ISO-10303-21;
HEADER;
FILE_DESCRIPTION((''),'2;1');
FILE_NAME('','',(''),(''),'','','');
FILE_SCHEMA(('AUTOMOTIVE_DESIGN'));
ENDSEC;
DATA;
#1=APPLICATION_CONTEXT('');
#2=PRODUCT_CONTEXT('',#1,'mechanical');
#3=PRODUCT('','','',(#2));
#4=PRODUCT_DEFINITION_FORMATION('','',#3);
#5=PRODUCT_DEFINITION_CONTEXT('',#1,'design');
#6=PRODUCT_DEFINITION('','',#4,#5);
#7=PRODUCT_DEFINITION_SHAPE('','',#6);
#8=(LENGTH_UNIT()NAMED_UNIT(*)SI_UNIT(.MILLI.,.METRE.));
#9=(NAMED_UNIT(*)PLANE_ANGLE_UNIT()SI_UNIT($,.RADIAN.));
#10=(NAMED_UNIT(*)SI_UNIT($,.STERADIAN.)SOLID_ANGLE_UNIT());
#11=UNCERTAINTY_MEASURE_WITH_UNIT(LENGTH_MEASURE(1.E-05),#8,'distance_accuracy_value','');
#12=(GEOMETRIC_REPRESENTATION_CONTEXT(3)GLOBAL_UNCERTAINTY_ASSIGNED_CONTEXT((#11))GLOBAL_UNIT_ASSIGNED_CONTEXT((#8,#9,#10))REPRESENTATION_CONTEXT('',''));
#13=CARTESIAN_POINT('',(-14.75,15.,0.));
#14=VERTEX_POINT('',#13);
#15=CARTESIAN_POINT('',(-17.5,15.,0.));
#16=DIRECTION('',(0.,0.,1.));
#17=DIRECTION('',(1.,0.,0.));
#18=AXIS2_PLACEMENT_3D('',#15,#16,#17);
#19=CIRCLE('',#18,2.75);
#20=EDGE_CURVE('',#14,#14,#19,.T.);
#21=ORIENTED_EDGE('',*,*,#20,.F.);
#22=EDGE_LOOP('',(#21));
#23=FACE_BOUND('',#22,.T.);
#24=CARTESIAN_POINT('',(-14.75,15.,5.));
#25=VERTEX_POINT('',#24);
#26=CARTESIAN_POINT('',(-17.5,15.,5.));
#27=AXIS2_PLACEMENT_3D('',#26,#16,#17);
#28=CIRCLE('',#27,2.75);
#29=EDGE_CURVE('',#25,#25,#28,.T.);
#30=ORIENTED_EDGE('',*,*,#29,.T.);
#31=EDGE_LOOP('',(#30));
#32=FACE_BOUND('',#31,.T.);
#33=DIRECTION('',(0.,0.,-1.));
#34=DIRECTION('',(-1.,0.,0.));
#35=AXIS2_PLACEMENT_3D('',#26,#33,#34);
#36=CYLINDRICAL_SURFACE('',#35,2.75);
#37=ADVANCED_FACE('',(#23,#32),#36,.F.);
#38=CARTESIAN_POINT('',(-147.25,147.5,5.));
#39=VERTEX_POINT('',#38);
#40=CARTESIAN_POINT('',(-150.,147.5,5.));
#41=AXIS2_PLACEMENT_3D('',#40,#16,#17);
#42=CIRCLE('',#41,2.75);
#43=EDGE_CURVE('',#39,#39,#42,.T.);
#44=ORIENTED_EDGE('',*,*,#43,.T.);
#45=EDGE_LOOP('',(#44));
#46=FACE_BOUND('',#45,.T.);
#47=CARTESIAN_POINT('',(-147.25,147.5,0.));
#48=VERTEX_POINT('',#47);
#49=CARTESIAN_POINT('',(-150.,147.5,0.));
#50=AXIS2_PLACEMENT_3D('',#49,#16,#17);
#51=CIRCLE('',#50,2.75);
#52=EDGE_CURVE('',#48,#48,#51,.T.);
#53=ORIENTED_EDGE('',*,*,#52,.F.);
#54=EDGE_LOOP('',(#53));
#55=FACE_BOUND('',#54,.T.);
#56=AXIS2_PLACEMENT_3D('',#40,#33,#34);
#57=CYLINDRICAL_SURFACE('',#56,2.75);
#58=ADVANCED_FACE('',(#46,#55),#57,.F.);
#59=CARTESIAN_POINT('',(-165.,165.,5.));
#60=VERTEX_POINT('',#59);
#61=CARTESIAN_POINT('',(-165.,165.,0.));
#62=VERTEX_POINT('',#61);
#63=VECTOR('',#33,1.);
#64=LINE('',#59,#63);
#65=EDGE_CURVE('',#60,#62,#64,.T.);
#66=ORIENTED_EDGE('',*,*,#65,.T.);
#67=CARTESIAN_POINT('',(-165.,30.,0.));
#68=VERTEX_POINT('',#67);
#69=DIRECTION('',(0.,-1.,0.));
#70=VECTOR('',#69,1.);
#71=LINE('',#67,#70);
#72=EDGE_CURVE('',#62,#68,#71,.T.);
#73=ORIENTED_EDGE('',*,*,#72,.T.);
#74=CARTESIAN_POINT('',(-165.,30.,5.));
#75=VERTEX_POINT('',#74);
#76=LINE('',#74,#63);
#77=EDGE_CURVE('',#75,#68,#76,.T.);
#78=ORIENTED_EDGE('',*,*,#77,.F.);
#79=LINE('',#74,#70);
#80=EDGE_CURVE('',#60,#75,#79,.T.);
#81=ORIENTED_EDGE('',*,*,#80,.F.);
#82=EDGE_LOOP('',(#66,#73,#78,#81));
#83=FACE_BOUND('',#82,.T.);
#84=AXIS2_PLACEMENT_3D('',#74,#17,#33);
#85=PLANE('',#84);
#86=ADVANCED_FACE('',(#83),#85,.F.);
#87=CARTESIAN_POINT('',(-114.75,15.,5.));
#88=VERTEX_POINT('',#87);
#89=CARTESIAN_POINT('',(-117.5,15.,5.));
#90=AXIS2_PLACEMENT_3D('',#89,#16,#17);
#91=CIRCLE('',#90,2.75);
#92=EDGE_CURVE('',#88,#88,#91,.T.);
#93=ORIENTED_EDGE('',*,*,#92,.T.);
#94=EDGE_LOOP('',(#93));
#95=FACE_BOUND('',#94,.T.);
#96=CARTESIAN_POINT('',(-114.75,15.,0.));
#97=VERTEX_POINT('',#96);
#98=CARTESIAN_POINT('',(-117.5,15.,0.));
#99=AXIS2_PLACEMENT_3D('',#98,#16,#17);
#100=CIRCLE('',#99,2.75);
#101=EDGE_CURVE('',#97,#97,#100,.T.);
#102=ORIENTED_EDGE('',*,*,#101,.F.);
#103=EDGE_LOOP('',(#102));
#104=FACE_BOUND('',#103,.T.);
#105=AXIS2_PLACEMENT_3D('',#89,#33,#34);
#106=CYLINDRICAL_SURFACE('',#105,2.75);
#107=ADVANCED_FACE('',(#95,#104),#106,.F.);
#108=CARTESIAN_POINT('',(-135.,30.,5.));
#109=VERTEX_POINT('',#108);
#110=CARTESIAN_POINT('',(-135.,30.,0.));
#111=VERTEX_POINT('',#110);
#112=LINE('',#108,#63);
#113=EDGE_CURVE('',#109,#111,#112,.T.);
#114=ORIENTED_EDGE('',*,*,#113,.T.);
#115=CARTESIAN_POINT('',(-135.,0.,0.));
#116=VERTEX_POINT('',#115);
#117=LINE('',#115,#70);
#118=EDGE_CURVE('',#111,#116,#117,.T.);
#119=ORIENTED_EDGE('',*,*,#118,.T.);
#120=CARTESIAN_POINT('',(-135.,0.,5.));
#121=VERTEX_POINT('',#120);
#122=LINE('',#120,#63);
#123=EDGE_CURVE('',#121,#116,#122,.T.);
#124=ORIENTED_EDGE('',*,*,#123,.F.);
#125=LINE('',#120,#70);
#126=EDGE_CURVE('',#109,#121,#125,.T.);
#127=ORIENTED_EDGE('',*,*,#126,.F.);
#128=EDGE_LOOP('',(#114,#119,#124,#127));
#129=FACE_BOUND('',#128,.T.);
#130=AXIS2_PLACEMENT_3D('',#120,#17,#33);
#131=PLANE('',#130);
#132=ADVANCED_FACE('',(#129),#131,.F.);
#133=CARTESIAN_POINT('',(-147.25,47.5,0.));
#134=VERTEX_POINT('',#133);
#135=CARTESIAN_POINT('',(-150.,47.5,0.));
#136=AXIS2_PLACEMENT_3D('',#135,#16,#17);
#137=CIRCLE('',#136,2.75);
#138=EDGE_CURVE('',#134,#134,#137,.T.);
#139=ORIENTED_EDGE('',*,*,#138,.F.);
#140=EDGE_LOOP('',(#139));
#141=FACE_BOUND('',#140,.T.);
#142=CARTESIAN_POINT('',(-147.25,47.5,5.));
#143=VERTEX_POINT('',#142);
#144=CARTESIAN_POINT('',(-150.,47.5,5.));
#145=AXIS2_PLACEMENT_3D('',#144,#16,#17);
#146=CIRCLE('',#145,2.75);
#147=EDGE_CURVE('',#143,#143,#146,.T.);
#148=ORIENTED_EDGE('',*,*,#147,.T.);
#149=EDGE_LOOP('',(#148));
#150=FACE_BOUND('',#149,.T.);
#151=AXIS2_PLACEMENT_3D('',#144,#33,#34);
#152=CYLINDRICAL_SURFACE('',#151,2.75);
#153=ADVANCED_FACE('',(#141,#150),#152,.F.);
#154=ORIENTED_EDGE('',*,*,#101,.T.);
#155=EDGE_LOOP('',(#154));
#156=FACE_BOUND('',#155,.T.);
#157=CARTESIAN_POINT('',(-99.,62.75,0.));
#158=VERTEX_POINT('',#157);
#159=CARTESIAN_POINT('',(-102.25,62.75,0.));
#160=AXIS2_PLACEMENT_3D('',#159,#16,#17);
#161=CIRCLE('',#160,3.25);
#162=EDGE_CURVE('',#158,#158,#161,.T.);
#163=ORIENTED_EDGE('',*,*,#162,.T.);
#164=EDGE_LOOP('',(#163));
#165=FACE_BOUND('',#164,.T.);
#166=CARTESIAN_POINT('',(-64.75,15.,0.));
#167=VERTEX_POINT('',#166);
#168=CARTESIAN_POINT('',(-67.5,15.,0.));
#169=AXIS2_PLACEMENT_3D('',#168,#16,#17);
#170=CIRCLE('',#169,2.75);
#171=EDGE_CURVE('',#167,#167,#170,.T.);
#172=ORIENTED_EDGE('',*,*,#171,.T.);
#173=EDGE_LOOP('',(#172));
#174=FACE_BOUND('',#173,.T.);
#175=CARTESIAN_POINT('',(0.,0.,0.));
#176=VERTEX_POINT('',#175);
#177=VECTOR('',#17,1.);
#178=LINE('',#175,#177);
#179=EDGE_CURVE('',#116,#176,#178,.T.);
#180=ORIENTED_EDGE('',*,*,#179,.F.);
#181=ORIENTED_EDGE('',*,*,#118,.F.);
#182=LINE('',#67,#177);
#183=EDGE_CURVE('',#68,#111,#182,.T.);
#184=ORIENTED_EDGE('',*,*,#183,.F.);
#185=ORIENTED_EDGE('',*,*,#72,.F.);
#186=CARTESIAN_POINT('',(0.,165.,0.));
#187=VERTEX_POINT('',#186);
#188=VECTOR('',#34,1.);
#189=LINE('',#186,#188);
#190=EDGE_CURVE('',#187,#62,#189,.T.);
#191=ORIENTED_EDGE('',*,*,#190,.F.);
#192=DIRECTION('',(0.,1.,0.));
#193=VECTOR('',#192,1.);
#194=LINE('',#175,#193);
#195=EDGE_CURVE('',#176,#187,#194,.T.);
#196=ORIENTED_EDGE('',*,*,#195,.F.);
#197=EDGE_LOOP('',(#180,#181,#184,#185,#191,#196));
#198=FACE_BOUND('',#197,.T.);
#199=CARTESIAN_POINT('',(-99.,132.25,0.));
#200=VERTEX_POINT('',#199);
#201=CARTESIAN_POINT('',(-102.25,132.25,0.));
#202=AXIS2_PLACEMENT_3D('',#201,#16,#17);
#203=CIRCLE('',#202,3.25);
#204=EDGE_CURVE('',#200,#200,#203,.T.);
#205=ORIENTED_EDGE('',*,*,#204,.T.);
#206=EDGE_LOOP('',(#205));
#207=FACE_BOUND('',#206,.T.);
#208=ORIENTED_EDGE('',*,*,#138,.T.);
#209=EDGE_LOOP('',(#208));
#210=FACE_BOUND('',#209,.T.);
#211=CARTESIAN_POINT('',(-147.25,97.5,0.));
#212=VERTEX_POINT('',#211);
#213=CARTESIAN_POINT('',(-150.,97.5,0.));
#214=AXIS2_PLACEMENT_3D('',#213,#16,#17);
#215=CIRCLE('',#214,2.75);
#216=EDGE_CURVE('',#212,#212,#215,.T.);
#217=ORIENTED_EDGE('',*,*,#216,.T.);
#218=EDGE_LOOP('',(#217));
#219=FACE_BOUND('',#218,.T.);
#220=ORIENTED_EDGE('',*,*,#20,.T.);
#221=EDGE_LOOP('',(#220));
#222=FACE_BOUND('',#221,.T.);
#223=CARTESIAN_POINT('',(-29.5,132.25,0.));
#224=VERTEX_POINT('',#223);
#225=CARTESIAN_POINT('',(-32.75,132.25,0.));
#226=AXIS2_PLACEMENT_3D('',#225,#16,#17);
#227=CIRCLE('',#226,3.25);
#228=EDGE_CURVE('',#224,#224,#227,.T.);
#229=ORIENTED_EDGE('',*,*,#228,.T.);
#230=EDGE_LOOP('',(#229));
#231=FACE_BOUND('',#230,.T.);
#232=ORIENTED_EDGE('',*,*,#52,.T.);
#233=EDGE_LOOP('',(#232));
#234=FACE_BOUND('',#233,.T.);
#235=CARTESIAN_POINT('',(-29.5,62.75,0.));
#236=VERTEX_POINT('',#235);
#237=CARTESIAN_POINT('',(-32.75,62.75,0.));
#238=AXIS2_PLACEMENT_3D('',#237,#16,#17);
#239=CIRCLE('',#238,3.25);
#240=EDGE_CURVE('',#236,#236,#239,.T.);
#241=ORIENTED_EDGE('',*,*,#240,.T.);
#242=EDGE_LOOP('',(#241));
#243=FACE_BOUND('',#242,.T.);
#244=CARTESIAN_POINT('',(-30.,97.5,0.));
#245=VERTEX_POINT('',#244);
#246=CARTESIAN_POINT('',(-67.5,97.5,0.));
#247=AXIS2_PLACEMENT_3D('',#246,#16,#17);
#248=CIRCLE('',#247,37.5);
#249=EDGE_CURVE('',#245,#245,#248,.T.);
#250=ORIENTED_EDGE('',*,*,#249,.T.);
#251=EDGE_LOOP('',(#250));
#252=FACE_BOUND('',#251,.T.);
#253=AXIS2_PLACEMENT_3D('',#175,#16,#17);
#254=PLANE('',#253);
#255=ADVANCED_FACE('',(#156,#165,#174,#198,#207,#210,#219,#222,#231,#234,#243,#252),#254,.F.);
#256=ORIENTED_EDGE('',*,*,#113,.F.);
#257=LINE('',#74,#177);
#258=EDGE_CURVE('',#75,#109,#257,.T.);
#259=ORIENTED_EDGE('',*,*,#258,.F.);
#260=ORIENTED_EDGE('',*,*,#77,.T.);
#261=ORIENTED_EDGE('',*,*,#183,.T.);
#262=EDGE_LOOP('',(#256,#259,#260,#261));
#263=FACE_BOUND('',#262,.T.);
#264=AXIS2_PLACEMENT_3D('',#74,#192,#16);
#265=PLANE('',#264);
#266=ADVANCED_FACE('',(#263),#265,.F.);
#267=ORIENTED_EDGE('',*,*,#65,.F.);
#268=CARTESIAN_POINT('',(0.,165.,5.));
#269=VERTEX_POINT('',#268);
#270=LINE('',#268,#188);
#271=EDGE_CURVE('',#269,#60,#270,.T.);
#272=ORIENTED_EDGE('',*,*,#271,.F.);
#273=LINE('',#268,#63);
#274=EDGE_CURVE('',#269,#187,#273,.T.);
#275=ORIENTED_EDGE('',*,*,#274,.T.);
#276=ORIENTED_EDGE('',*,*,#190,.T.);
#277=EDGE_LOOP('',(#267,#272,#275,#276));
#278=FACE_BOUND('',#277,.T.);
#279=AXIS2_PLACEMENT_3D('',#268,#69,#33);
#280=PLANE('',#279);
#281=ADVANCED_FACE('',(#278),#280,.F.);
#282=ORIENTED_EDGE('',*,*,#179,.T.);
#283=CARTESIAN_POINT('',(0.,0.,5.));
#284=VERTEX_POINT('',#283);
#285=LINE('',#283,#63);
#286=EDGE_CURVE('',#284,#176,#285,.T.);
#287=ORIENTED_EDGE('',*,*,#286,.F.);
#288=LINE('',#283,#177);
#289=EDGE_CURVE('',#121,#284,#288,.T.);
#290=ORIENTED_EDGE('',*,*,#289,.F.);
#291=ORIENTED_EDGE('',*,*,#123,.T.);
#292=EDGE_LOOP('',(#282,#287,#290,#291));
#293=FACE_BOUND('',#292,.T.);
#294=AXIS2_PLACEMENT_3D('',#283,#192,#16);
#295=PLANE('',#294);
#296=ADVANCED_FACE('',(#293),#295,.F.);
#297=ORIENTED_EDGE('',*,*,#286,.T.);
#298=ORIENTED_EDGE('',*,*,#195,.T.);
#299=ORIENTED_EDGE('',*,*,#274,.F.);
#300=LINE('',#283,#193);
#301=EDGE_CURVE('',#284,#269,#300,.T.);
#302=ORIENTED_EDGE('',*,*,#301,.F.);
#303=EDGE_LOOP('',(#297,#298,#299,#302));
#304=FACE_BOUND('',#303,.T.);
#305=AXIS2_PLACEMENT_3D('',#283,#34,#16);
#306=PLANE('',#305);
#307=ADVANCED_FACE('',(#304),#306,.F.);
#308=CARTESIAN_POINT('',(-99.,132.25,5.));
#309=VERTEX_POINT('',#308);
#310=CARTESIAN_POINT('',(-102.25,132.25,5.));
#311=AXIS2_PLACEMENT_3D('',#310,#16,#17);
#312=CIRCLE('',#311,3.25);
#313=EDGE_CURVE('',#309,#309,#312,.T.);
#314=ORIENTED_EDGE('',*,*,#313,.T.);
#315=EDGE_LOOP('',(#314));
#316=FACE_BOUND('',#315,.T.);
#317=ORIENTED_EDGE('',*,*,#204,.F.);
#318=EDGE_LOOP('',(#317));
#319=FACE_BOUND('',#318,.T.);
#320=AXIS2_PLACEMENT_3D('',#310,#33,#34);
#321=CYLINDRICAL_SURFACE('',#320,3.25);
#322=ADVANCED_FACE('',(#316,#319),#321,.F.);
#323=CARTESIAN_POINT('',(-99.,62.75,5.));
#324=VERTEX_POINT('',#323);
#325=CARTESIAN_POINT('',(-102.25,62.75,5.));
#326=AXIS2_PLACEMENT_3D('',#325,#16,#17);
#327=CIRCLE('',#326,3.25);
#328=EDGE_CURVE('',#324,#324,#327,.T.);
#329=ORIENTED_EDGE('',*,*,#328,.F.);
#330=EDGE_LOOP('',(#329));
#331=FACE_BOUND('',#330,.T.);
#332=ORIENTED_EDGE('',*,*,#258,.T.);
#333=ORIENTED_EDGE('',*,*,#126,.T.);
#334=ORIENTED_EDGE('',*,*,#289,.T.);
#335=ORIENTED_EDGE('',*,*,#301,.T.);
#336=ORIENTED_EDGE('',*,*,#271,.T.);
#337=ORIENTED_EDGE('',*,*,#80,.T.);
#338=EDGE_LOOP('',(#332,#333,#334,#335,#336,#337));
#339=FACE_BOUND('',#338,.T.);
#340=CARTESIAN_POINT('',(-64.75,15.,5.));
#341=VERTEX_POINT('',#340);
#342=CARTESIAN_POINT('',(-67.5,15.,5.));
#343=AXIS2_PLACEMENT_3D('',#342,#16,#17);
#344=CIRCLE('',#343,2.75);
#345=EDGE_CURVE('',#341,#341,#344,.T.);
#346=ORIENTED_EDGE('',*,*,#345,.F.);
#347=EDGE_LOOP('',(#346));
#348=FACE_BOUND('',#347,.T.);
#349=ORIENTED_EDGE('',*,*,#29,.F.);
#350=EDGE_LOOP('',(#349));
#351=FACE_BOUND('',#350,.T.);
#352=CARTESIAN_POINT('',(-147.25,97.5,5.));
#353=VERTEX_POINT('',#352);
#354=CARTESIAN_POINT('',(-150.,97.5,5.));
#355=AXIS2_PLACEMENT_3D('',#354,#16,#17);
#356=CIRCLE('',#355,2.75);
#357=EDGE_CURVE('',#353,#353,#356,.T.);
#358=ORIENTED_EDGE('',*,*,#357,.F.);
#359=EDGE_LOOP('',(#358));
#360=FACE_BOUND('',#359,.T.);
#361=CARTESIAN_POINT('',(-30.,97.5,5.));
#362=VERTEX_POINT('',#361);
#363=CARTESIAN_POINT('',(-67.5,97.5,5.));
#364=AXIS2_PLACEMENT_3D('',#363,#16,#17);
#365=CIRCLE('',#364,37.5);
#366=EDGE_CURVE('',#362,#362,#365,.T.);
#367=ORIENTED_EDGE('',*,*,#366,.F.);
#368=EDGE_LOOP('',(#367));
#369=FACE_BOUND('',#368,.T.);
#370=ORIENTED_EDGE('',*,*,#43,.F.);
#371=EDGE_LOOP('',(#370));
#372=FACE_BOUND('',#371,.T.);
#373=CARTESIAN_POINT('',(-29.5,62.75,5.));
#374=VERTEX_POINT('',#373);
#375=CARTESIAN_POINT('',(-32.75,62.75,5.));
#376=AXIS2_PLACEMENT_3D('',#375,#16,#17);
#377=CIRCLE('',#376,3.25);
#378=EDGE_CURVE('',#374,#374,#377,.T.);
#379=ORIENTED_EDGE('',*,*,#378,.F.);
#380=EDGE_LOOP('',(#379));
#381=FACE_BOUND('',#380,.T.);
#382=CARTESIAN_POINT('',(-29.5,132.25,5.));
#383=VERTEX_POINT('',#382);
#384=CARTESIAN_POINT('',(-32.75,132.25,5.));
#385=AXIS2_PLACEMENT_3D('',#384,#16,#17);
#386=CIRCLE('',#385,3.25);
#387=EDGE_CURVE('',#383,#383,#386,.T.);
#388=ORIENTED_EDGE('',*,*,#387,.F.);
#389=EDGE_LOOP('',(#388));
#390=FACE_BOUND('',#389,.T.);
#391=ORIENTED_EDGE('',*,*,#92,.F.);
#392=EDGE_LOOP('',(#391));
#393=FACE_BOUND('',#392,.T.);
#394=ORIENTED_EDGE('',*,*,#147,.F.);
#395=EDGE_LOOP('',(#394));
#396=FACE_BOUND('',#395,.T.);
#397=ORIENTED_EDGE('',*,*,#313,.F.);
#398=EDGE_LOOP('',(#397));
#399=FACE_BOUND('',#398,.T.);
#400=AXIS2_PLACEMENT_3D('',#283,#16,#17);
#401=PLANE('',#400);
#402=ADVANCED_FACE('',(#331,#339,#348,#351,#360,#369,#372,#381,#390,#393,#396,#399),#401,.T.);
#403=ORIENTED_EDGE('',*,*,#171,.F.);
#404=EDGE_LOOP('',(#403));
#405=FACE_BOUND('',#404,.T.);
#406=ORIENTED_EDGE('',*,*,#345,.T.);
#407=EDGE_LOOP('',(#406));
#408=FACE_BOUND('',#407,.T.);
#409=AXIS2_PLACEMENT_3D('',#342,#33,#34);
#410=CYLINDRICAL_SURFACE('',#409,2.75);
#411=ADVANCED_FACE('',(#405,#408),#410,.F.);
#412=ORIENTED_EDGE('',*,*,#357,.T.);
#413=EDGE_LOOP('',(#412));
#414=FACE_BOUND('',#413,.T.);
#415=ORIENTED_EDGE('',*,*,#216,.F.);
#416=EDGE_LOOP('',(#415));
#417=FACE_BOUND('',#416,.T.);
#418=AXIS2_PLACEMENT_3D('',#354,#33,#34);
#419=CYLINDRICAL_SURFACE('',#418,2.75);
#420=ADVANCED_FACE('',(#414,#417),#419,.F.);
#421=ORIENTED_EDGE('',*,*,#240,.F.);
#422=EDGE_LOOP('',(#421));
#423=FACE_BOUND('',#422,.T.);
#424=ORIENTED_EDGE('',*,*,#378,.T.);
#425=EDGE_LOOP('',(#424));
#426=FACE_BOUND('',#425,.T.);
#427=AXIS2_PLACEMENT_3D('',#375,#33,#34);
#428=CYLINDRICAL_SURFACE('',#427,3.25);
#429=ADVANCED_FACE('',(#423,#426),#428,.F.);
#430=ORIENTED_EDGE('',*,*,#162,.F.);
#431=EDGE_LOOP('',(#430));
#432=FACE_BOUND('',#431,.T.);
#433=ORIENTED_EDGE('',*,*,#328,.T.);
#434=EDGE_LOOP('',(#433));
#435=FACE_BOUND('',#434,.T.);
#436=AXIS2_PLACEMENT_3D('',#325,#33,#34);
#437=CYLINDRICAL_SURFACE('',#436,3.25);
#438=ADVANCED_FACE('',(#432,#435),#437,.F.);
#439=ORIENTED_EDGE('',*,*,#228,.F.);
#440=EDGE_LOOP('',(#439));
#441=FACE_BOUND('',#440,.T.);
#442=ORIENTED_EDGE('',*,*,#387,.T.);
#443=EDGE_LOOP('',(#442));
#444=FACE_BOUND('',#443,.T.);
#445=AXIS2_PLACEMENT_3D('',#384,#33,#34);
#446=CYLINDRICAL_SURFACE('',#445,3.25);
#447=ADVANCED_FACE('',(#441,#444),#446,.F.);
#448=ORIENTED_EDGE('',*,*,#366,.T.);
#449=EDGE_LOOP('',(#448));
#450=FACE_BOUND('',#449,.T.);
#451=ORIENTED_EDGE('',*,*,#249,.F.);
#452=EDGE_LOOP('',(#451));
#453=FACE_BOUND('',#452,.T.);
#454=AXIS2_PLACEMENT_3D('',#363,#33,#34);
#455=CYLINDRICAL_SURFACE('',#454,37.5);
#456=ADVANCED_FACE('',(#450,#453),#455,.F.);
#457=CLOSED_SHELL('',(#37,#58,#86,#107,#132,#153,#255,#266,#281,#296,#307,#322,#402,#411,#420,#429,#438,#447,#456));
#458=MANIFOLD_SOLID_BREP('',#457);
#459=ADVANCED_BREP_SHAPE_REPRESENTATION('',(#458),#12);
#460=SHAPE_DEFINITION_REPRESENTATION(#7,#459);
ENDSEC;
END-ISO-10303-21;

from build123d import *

# Parameters (mm, degrees)
SKETCH_1_R      = 37.5
SKETCH_1_R_2    = 3.25
SKETCH_1_R_3    = 2.75
EXTRUDE_1_DEPTH = 5


with BuildPart() as part:
    # 草图1 → 凸台-拉伸1 (new body)
    with BuildSketch(Plane.XY):
        Polygon((0, 0), (-135, 0), (-135, 30), (-165, 30), (-165, 165), (0, 165), align=None)
        with Locations((-67.5, 97.5)):
            Circle(SKETCH_1_R, mode=Mode.SUBTRACT)
        with Locations((-102.25, 132.25)):
            Circle(SKETCH_1_R_2, mode=Mode.SUBTRACT)
        with Locations((-32.75, 132.25)):
            Circle(SKETCH_1_R_2, mode=Mode.SUBTRACT)
        with Locations((-32.75, 62.75)):
            Circle(SKETCH_1_R_2, mode=Mode.SUBTRACT)
        with Locations((-102.25, 62.75)):
            Circle(SKETCH_1_R_2, mode=Mode.SUBTRACT)
        with Locations((-150, 147.5)):
            Circle(SKETCH_1_R_3, mode=Mode.SUBTRACT)
        with Locations((-150, 97.5)):
            Circle(SKETCH_1_R_3, mode=Mode.SUBTRACT)
        with Locations((-67.5, 15)):
            Circle(SKETCH_1_R_3, mode=Mode.SUBTRACT)
        with Locations((-17.5, 15)):
            Circle(SKETCH_1_R_3, mode=Mode.SUBTRACT)
        with Locations((-117.5, 15)):
            Circle(SKETCH_1_R_3, mode=Mode.SUBTRACT)
        with Locations((-150, 47.5)):
            Circle(SKETCH_1_R_3, mode=Mode.SUBTRACT)
    extrude(amount=EXTRUDE_1_DEPTH)


solid = part.part
